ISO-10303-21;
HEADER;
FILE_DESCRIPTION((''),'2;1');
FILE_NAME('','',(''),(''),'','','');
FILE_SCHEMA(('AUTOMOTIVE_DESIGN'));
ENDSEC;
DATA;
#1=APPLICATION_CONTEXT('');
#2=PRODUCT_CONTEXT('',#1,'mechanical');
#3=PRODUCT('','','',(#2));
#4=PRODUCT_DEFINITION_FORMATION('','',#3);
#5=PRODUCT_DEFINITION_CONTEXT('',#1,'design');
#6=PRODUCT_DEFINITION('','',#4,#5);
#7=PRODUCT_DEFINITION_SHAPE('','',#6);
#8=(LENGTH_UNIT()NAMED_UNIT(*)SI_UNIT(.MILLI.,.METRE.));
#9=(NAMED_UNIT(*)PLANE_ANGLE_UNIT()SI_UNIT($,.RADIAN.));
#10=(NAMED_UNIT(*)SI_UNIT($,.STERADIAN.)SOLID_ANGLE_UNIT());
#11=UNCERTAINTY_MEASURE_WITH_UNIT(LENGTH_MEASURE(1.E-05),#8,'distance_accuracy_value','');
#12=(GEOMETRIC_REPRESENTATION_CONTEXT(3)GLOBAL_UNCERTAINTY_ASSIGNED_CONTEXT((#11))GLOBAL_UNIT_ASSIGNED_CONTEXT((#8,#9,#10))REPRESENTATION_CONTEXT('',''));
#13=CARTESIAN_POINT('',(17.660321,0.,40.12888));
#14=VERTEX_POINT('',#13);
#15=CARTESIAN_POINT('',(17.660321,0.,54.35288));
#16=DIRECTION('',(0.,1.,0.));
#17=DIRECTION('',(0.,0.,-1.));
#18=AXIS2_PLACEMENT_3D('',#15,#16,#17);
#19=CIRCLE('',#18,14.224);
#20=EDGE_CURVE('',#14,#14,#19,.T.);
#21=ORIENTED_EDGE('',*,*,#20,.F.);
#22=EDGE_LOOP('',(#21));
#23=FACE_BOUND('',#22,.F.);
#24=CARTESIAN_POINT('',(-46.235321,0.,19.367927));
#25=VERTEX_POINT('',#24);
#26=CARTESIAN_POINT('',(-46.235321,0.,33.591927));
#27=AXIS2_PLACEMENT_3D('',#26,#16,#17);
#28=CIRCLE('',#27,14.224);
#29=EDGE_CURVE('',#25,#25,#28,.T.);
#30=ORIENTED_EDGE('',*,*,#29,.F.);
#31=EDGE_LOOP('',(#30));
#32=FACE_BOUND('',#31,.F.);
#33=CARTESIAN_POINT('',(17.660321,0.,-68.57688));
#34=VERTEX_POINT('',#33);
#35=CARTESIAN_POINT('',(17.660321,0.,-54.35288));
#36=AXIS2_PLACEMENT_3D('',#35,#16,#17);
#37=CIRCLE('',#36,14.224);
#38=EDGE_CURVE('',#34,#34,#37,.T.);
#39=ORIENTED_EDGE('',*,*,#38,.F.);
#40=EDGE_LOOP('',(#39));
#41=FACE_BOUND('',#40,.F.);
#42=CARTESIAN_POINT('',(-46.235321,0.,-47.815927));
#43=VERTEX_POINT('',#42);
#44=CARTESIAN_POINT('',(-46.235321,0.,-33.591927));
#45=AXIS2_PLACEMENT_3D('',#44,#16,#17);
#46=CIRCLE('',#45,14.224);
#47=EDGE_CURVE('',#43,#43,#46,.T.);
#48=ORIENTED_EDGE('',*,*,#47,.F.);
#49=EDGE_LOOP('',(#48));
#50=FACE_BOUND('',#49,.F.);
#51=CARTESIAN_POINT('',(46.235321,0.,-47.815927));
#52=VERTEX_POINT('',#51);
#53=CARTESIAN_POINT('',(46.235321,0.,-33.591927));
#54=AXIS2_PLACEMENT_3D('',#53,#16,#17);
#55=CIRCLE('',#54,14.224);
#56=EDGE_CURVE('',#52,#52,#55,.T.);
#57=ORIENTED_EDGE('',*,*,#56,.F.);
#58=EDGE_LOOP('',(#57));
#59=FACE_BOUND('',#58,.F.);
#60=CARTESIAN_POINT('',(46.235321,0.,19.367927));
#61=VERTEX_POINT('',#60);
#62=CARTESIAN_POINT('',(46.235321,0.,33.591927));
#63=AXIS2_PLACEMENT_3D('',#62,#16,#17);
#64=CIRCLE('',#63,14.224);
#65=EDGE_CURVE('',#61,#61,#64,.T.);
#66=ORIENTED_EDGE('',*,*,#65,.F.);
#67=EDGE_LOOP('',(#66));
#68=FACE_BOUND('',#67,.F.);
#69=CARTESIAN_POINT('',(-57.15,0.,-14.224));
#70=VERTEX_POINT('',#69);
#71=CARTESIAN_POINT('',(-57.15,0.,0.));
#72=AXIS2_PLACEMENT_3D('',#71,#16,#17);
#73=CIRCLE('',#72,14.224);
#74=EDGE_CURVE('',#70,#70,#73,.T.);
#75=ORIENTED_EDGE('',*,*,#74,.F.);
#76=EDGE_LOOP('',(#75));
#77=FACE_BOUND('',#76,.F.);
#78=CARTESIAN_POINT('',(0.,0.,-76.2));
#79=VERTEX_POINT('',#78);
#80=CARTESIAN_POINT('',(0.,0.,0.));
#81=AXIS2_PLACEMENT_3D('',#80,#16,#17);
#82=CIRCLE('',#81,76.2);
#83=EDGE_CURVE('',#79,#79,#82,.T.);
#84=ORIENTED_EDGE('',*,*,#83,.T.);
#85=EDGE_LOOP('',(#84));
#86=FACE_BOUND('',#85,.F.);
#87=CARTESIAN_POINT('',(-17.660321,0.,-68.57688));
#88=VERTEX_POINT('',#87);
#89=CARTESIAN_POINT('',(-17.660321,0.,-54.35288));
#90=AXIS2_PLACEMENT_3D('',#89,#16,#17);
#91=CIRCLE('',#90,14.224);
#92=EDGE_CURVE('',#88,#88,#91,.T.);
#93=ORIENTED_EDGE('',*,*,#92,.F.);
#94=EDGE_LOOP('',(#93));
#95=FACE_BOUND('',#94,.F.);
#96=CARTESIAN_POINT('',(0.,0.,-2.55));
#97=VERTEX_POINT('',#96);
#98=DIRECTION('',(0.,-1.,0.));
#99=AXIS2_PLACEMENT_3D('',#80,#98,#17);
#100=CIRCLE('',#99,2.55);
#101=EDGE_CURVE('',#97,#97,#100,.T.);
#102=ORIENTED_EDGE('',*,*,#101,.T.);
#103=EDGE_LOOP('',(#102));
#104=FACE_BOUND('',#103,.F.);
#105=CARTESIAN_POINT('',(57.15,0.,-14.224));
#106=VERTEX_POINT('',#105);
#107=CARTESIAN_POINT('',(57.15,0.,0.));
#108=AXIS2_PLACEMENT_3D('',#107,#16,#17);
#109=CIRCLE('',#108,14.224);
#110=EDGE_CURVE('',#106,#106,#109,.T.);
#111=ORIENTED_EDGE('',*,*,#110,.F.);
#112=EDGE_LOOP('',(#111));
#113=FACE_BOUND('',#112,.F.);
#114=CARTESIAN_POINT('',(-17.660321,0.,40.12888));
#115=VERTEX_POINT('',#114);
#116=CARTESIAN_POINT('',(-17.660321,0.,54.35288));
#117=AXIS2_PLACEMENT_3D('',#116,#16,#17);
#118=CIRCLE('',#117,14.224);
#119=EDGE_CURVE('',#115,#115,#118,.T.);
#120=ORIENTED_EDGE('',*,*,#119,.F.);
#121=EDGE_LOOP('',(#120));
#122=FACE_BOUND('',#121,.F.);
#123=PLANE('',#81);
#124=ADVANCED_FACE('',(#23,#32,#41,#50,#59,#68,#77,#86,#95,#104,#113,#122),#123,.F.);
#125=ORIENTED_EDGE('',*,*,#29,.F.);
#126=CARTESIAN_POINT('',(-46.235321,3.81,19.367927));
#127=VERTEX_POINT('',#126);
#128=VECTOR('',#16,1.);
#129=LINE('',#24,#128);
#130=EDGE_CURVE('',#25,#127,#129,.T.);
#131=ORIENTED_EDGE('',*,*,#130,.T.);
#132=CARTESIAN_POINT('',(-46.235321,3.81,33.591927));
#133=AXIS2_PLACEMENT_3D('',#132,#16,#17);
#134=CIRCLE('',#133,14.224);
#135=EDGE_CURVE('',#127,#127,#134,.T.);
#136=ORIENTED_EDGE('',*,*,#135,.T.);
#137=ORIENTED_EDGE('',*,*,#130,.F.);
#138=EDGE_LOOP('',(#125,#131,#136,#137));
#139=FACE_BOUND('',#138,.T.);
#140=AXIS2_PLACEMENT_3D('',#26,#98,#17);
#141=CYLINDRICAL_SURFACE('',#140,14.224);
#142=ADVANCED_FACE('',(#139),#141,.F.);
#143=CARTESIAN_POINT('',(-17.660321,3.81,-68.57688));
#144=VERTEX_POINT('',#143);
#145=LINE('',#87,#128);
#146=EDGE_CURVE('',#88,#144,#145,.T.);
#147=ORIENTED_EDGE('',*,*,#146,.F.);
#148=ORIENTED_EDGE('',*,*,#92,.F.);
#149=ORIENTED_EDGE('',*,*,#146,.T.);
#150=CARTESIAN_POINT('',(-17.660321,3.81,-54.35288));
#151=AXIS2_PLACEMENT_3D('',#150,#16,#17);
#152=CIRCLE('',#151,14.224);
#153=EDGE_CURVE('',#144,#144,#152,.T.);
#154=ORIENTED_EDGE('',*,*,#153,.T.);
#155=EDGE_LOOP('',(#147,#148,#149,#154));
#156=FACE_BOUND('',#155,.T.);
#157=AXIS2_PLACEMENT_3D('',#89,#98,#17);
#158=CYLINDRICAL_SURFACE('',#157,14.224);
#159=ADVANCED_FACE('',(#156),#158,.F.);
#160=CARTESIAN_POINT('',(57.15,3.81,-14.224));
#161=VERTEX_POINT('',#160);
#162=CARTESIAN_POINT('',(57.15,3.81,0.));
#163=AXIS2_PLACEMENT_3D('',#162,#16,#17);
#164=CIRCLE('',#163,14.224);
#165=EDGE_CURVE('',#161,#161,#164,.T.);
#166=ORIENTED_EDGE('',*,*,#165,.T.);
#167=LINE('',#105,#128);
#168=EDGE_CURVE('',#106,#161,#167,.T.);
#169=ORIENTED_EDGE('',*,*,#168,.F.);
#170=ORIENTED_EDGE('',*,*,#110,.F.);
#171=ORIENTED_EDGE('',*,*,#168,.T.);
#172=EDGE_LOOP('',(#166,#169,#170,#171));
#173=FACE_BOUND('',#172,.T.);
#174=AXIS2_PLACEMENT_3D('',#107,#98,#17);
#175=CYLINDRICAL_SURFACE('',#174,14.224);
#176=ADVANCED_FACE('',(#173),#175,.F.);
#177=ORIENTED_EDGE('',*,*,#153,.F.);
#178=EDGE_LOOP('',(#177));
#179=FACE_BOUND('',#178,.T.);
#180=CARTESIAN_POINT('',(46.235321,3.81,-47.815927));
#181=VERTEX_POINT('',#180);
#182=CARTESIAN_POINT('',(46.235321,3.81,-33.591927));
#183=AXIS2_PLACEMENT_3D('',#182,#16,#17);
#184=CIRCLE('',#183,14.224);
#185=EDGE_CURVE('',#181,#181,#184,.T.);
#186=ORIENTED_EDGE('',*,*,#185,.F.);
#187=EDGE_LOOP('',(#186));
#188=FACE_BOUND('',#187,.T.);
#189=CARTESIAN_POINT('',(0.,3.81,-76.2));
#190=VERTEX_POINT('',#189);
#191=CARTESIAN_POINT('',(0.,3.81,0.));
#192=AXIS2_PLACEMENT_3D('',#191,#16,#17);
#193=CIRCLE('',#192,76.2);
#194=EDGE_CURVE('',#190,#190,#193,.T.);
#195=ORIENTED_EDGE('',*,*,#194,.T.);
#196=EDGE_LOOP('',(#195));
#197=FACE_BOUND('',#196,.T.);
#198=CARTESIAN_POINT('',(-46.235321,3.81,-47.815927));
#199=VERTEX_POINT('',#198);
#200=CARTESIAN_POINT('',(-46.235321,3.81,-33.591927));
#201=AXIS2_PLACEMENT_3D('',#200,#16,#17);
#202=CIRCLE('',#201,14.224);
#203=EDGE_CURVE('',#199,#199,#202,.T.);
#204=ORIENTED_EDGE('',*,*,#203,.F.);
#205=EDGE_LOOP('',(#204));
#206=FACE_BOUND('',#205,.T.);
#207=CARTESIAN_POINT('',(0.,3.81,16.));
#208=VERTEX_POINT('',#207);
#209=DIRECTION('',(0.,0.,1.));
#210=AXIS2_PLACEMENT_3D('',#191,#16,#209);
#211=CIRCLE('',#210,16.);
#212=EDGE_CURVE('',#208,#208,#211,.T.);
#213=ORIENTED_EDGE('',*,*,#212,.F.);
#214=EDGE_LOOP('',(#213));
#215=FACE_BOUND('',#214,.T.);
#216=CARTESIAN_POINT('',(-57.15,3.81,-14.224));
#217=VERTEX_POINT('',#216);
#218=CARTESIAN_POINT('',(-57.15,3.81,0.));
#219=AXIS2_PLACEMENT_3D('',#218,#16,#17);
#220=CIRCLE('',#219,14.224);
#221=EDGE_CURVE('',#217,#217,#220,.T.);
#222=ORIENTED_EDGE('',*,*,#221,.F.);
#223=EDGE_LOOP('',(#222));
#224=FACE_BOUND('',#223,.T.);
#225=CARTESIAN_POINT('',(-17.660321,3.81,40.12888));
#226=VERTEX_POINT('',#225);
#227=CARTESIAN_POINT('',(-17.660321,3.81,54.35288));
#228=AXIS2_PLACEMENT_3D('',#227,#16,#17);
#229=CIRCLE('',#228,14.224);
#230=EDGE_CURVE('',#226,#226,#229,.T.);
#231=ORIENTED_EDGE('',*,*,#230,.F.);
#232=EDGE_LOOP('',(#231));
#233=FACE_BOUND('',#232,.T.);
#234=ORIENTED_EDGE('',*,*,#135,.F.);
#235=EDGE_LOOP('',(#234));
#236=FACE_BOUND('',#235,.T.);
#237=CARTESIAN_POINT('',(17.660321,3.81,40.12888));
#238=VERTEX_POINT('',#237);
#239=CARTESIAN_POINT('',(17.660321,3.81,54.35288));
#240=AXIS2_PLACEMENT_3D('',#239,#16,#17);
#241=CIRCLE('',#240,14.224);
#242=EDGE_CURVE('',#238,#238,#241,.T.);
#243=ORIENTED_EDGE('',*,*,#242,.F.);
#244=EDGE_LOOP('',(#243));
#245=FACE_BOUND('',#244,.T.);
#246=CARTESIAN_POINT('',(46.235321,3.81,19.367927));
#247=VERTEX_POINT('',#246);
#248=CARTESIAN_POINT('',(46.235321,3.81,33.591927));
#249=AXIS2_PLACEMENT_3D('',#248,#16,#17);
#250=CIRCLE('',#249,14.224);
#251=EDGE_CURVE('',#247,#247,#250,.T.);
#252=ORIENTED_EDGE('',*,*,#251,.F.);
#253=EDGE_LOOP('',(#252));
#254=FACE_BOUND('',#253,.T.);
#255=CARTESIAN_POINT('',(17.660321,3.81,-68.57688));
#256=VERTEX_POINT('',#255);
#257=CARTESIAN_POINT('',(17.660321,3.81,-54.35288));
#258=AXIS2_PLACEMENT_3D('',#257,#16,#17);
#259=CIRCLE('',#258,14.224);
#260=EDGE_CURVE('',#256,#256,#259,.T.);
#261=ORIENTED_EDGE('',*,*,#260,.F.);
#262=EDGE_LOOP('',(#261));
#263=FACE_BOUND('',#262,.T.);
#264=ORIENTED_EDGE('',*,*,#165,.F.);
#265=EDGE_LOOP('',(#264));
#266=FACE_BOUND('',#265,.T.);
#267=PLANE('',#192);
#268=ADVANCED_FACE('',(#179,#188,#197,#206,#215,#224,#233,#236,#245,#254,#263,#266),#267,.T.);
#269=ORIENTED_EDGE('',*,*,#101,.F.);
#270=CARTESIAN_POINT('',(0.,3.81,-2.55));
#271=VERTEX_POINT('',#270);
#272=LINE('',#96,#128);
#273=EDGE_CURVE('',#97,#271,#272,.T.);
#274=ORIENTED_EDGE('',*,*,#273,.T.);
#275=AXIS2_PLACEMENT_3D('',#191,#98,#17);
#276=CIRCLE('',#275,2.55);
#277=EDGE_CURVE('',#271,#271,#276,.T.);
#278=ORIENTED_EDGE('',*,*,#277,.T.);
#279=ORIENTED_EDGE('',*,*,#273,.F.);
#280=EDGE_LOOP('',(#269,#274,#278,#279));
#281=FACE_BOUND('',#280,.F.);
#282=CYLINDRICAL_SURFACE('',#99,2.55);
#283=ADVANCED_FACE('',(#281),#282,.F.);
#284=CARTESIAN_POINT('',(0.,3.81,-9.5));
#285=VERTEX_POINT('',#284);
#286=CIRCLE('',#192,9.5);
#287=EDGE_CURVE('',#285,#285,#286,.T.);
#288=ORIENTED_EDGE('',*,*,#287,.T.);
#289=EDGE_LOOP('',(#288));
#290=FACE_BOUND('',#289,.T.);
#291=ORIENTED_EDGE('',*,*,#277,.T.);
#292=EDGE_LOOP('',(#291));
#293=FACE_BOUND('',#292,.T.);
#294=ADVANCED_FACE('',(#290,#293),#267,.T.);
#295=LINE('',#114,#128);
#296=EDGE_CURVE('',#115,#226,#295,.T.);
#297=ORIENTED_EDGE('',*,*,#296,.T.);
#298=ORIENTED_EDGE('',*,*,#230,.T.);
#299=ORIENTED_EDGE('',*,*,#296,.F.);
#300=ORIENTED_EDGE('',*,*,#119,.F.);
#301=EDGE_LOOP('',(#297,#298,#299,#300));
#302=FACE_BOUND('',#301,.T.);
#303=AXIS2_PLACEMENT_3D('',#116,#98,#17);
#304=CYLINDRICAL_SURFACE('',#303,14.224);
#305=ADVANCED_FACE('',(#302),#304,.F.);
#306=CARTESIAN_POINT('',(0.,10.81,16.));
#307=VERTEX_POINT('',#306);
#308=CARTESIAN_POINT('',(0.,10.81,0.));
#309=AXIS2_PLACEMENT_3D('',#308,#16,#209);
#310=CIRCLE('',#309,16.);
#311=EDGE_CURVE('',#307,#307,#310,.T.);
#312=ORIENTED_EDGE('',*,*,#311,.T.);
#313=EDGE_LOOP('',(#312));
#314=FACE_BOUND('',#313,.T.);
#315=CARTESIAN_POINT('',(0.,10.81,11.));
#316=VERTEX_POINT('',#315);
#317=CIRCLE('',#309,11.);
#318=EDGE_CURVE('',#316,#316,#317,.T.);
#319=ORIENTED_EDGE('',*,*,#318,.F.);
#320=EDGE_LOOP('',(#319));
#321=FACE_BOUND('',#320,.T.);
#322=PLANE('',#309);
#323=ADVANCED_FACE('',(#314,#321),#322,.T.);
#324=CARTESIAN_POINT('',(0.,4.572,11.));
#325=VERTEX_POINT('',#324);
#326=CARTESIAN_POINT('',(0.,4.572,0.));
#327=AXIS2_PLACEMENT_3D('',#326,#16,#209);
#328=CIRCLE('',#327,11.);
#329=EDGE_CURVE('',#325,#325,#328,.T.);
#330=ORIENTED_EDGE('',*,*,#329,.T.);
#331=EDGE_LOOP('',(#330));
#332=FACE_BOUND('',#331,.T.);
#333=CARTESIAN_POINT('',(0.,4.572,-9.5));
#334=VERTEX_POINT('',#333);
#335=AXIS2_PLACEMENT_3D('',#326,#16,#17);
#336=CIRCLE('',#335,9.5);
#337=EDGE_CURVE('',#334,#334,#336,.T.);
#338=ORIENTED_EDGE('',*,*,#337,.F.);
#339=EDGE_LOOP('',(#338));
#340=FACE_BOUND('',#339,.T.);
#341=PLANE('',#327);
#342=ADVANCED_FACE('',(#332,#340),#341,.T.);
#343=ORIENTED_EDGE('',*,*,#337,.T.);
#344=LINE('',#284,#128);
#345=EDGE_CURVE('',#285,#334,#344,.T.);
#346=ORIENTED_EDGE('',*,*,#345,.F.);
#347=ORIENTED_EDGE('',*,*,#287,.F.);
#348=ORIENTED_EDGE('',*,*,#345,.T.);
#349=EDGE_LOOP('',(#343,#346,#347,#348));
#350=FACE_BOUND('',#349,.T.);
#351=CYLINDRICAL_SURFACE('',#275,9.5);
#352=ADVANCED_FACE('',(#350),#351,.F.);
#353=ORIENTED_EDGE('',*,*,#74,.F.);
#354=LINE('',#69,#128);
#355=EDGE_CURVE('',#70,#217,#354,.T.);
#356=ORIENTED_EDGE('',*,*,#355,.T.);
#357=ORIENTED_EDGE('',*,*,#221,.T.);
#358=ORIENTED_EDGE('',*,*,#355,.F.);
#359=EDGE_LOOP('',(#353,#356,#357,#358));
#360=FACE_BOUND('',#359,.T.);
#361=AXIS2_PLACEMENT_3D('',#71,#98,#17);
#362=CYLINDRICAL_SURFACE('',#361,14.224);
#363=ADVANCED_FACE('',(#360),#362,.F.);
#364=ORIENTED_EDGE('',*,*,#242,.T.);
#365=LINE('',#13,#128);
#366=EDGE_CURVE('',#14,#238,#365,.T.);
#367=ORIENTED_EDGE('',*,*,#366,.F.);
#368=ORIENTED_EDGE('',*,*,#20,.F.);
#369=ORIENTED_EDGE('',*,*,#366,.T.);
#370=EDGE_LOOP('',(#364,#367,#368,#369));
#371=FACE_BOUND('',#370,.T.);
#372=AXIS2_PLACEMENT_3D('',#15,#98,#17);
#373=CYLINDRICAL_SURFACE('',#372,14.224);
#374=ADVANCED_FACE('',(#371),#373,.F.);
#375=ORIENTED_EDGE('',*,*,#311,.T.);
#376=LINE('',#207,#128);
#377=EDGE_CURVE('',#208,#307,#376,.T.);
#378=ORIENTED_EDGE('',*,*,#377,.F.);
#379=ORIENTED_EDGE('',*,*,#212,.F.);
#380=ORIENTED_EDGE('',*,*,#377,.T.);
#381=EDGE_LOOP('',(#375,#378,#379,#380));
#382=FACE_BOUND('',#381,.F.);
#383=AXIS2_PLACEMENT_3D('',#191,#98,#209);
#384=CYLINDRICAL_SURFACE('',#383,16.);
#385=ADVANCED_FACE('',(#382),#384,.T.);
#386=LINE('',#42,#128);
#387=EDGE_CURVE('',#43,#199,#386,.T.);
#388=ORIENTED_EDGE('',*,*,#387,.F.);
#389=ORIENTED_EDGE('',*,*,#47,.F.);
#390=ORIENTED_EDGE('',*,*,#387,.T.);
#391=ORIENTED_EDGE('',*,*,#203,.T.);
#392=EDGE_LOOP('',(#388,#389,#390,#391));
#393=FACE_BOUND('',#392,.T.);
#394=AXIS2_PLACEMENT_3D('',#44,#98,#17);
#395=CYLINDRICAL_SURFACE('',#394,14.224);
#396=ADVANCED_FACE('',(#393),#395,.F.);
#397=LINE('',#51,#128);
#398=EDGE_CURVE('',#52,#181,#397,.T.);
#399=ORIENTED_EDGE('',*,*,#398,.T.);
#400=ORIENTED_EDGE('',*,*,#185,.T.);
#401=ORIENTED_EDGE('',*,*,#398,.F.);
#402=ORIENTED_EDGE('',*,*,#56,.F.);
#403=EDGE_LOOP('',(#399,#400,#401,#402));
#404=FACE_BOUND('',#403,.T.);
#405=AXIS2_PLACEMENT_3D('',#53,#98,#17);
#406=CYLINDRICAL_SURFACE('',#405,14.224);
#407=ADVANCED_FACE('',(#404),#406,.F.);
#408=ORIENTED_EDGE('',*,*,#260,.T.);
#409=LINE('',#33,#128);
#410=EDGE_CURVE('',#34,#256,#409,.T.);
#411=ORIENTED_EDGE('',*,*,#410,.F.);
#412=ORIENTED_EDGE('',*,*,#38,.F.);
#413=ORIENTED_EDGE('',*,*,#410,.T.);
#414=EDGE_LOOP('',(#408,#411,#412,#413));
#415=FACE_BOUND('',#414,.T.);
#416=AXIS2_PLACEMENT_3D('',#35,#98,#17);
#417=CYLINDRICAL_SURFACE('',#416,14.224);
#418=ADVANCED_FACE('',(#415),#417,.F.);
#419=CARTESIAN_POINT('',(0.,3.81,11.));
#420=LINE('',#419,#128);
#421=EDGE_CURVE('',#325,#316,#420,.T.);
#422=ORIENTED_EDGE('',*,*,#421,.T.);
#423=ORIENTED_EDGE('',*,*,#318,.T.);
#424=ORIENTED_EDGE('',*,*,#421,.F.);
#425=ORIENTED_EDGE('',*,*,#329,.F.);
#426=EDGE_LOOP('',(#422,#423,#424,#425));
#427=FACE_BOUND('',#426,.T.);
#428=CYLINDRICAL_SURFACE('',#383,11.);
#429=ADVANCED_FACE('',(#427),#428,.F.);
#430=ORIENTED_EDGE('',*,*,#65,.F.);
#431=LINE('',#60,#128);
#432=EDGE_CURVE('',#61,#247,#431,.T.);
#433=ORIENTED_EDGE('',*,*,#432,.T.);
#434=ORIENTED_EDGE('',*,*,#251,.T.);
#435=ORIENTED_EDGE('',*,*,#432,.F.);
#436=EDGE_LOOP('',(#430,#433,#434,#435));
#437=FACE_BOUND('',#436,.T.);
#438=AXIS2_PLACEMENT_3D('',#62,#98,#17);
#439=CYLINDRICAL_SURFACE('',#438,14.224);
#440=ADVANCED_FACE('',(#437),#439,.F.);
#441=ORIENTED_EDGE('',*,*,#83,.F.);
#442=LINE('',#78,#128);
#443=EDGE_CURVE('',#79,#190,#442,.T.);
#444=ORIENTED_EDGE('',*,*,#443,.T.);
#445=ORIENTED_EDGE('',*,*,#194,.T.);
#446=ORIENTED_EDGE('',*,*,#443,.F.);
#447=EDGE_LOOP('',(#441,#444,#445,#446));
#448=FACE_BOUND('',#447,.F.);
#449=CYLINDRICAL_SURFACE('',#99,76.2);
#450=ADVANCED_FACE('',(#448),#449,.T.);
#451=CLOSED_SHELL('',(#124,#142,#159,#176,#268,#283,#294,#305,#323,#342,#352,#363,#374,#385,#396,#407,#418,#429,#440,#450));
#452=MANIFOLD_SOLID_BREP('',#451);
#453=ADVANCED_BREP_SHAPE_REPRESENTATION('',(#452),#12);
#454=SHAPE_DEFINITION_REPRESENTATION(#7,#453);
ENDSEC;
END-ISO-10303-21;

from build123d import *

# Parameters (mm, degrees)
SKETCH1_R           = 76.2
SKETCH1_R_2         = 14.224
BOSS_EXTRUDE1_DEPTH = 3.81
SKETCH4_R           = 16
SKETCH4_R_2         = 11
BOSS_EXTRUDE5_DEPTH = 7
SKETCH5_R           = 11
SKETCH5_R_2         = 9.5
BOSS_EXTRUDE6_DEPTH = 0.762
SKETCH6_R           = 2.55
CUT_EXTRUDE1_DEPTH  = 109.303906208


with BuildPart() as part:
    # Sketch1 → Boss-Extrude1 (new body)
    with BuildSketch(Plane(origin=(0, 0, 0), x_dir=(1, 0, 0), z_dir=(0, 1, 0))):
        with Locations(Location((0, 0, 0), (0, 0, 90))):
            Circle(SKETCH1_R)
        with Locations(Location((-57.15, 0, 0), (0, 0, 90))):
            Circle(SKETCH1_R_2, mode=Mode.SUBTRACT)
        with Locations(Location((-46.235321229, 33.591927169, 0), (0, 0, 90))):
            Circle(SKETCH1_R_2, mode=Mode.SUBTRACT)
        with Locations(Location((-17.660321229, 54.352879906, 0), (0, 0, 90))):
            Circle(SKETCH1_R_2, mode=Mode.SUBTRACT)
        with Locations(Location((17.660321229, 54.352879906, 0), (0, 0, 90))):
            Circle(SKETCH1_R_2, mode=Mode.SUBTRACT)
        with Locations(Location((46.235321229, 33.591927169, 0), (0, 0, 90))):
            Circle(SKETCH1_R_2, mode=Mode.SUBTRACT)
        with Locations(Location((57.15, 0, 0), (0, 0, 90))):
            Circle(SKETCH1_R_2, mode=Mode.SUBTRACT)
        with Locations(Location((46.235321229, -33.591927169, 0), (0, 0, 90))):
            Circle(SKETCH1_R_2, mode=Mode.SUBTRACT)
        with Locations(Location((17.660321229, -54.352879906, 0), (0, 0, 90))):
            Circle(SKETCH1_R_2, mode=Mode.SUBTRACT)
        with Locations(Location((-17.660321229, -54.352879906, 0), (0, 0, 90))):
            Circle(SKETCH1_R_2, mode=Mode.SUBTRACT)
        with Locations(Location((-46.235321229, -33.591927169, 0), (0, 0, 90))):
            Circle(SKETCH1_R_2, mode=Mode.SUBTRACT)
    extrude(amount=BOSS_EXTRUDE1_DEPTH)

    # Sketch4 → Boss-Extrude5 (add)
    with BuildSketch(Plane(origin=(0, 3.81, 0), x_dir=(1, 0, 0), z_dir=(0, 1, 0))):
        with Locations(Location((0, 0, 0), (0, 0, 270))):
            Circle(SKETCH4_R)
        with Locations(Location((0, 0, 0), (0, 0, 270))):
            Circle(SKETCH4_R_2, mode=Mode.SUBTRACT)
    extrude(amount=BOSS_EXTRUDE5_DEPTH)

    # Sketch5 → Boss-Extrude6 (add)
    with BuildSketch(Plane(origin=(0, 3.81, 0), x_dir=(1, 0, 0), z_dir=(0, 1, 0))):
        with Locations(Location((0, 0, 0), (0, 0, 270))):
            Circle(SKETCH5_R)
        with Locations(Location((0, 0, 0), (0, 0, 90))):
            Circle(SKETCH5_R_2, mode=Mode.SUBTRACT)
    extrude(amount=BOSS_EXTRUDE6_DEPTH)

    # Sketch6 → Cut-Extrude1 (cut, through all)
    with BuildSketch(Plane.XZ):
        with Locations(Location((0, 0, 0), (0, 0, 270))):
            Circle(SKETCH6_R)
    extrude(amount=-CUT_EXTRUDE1_DEPTH, mode=Mode.SUBTRACT)


solid = part.part
